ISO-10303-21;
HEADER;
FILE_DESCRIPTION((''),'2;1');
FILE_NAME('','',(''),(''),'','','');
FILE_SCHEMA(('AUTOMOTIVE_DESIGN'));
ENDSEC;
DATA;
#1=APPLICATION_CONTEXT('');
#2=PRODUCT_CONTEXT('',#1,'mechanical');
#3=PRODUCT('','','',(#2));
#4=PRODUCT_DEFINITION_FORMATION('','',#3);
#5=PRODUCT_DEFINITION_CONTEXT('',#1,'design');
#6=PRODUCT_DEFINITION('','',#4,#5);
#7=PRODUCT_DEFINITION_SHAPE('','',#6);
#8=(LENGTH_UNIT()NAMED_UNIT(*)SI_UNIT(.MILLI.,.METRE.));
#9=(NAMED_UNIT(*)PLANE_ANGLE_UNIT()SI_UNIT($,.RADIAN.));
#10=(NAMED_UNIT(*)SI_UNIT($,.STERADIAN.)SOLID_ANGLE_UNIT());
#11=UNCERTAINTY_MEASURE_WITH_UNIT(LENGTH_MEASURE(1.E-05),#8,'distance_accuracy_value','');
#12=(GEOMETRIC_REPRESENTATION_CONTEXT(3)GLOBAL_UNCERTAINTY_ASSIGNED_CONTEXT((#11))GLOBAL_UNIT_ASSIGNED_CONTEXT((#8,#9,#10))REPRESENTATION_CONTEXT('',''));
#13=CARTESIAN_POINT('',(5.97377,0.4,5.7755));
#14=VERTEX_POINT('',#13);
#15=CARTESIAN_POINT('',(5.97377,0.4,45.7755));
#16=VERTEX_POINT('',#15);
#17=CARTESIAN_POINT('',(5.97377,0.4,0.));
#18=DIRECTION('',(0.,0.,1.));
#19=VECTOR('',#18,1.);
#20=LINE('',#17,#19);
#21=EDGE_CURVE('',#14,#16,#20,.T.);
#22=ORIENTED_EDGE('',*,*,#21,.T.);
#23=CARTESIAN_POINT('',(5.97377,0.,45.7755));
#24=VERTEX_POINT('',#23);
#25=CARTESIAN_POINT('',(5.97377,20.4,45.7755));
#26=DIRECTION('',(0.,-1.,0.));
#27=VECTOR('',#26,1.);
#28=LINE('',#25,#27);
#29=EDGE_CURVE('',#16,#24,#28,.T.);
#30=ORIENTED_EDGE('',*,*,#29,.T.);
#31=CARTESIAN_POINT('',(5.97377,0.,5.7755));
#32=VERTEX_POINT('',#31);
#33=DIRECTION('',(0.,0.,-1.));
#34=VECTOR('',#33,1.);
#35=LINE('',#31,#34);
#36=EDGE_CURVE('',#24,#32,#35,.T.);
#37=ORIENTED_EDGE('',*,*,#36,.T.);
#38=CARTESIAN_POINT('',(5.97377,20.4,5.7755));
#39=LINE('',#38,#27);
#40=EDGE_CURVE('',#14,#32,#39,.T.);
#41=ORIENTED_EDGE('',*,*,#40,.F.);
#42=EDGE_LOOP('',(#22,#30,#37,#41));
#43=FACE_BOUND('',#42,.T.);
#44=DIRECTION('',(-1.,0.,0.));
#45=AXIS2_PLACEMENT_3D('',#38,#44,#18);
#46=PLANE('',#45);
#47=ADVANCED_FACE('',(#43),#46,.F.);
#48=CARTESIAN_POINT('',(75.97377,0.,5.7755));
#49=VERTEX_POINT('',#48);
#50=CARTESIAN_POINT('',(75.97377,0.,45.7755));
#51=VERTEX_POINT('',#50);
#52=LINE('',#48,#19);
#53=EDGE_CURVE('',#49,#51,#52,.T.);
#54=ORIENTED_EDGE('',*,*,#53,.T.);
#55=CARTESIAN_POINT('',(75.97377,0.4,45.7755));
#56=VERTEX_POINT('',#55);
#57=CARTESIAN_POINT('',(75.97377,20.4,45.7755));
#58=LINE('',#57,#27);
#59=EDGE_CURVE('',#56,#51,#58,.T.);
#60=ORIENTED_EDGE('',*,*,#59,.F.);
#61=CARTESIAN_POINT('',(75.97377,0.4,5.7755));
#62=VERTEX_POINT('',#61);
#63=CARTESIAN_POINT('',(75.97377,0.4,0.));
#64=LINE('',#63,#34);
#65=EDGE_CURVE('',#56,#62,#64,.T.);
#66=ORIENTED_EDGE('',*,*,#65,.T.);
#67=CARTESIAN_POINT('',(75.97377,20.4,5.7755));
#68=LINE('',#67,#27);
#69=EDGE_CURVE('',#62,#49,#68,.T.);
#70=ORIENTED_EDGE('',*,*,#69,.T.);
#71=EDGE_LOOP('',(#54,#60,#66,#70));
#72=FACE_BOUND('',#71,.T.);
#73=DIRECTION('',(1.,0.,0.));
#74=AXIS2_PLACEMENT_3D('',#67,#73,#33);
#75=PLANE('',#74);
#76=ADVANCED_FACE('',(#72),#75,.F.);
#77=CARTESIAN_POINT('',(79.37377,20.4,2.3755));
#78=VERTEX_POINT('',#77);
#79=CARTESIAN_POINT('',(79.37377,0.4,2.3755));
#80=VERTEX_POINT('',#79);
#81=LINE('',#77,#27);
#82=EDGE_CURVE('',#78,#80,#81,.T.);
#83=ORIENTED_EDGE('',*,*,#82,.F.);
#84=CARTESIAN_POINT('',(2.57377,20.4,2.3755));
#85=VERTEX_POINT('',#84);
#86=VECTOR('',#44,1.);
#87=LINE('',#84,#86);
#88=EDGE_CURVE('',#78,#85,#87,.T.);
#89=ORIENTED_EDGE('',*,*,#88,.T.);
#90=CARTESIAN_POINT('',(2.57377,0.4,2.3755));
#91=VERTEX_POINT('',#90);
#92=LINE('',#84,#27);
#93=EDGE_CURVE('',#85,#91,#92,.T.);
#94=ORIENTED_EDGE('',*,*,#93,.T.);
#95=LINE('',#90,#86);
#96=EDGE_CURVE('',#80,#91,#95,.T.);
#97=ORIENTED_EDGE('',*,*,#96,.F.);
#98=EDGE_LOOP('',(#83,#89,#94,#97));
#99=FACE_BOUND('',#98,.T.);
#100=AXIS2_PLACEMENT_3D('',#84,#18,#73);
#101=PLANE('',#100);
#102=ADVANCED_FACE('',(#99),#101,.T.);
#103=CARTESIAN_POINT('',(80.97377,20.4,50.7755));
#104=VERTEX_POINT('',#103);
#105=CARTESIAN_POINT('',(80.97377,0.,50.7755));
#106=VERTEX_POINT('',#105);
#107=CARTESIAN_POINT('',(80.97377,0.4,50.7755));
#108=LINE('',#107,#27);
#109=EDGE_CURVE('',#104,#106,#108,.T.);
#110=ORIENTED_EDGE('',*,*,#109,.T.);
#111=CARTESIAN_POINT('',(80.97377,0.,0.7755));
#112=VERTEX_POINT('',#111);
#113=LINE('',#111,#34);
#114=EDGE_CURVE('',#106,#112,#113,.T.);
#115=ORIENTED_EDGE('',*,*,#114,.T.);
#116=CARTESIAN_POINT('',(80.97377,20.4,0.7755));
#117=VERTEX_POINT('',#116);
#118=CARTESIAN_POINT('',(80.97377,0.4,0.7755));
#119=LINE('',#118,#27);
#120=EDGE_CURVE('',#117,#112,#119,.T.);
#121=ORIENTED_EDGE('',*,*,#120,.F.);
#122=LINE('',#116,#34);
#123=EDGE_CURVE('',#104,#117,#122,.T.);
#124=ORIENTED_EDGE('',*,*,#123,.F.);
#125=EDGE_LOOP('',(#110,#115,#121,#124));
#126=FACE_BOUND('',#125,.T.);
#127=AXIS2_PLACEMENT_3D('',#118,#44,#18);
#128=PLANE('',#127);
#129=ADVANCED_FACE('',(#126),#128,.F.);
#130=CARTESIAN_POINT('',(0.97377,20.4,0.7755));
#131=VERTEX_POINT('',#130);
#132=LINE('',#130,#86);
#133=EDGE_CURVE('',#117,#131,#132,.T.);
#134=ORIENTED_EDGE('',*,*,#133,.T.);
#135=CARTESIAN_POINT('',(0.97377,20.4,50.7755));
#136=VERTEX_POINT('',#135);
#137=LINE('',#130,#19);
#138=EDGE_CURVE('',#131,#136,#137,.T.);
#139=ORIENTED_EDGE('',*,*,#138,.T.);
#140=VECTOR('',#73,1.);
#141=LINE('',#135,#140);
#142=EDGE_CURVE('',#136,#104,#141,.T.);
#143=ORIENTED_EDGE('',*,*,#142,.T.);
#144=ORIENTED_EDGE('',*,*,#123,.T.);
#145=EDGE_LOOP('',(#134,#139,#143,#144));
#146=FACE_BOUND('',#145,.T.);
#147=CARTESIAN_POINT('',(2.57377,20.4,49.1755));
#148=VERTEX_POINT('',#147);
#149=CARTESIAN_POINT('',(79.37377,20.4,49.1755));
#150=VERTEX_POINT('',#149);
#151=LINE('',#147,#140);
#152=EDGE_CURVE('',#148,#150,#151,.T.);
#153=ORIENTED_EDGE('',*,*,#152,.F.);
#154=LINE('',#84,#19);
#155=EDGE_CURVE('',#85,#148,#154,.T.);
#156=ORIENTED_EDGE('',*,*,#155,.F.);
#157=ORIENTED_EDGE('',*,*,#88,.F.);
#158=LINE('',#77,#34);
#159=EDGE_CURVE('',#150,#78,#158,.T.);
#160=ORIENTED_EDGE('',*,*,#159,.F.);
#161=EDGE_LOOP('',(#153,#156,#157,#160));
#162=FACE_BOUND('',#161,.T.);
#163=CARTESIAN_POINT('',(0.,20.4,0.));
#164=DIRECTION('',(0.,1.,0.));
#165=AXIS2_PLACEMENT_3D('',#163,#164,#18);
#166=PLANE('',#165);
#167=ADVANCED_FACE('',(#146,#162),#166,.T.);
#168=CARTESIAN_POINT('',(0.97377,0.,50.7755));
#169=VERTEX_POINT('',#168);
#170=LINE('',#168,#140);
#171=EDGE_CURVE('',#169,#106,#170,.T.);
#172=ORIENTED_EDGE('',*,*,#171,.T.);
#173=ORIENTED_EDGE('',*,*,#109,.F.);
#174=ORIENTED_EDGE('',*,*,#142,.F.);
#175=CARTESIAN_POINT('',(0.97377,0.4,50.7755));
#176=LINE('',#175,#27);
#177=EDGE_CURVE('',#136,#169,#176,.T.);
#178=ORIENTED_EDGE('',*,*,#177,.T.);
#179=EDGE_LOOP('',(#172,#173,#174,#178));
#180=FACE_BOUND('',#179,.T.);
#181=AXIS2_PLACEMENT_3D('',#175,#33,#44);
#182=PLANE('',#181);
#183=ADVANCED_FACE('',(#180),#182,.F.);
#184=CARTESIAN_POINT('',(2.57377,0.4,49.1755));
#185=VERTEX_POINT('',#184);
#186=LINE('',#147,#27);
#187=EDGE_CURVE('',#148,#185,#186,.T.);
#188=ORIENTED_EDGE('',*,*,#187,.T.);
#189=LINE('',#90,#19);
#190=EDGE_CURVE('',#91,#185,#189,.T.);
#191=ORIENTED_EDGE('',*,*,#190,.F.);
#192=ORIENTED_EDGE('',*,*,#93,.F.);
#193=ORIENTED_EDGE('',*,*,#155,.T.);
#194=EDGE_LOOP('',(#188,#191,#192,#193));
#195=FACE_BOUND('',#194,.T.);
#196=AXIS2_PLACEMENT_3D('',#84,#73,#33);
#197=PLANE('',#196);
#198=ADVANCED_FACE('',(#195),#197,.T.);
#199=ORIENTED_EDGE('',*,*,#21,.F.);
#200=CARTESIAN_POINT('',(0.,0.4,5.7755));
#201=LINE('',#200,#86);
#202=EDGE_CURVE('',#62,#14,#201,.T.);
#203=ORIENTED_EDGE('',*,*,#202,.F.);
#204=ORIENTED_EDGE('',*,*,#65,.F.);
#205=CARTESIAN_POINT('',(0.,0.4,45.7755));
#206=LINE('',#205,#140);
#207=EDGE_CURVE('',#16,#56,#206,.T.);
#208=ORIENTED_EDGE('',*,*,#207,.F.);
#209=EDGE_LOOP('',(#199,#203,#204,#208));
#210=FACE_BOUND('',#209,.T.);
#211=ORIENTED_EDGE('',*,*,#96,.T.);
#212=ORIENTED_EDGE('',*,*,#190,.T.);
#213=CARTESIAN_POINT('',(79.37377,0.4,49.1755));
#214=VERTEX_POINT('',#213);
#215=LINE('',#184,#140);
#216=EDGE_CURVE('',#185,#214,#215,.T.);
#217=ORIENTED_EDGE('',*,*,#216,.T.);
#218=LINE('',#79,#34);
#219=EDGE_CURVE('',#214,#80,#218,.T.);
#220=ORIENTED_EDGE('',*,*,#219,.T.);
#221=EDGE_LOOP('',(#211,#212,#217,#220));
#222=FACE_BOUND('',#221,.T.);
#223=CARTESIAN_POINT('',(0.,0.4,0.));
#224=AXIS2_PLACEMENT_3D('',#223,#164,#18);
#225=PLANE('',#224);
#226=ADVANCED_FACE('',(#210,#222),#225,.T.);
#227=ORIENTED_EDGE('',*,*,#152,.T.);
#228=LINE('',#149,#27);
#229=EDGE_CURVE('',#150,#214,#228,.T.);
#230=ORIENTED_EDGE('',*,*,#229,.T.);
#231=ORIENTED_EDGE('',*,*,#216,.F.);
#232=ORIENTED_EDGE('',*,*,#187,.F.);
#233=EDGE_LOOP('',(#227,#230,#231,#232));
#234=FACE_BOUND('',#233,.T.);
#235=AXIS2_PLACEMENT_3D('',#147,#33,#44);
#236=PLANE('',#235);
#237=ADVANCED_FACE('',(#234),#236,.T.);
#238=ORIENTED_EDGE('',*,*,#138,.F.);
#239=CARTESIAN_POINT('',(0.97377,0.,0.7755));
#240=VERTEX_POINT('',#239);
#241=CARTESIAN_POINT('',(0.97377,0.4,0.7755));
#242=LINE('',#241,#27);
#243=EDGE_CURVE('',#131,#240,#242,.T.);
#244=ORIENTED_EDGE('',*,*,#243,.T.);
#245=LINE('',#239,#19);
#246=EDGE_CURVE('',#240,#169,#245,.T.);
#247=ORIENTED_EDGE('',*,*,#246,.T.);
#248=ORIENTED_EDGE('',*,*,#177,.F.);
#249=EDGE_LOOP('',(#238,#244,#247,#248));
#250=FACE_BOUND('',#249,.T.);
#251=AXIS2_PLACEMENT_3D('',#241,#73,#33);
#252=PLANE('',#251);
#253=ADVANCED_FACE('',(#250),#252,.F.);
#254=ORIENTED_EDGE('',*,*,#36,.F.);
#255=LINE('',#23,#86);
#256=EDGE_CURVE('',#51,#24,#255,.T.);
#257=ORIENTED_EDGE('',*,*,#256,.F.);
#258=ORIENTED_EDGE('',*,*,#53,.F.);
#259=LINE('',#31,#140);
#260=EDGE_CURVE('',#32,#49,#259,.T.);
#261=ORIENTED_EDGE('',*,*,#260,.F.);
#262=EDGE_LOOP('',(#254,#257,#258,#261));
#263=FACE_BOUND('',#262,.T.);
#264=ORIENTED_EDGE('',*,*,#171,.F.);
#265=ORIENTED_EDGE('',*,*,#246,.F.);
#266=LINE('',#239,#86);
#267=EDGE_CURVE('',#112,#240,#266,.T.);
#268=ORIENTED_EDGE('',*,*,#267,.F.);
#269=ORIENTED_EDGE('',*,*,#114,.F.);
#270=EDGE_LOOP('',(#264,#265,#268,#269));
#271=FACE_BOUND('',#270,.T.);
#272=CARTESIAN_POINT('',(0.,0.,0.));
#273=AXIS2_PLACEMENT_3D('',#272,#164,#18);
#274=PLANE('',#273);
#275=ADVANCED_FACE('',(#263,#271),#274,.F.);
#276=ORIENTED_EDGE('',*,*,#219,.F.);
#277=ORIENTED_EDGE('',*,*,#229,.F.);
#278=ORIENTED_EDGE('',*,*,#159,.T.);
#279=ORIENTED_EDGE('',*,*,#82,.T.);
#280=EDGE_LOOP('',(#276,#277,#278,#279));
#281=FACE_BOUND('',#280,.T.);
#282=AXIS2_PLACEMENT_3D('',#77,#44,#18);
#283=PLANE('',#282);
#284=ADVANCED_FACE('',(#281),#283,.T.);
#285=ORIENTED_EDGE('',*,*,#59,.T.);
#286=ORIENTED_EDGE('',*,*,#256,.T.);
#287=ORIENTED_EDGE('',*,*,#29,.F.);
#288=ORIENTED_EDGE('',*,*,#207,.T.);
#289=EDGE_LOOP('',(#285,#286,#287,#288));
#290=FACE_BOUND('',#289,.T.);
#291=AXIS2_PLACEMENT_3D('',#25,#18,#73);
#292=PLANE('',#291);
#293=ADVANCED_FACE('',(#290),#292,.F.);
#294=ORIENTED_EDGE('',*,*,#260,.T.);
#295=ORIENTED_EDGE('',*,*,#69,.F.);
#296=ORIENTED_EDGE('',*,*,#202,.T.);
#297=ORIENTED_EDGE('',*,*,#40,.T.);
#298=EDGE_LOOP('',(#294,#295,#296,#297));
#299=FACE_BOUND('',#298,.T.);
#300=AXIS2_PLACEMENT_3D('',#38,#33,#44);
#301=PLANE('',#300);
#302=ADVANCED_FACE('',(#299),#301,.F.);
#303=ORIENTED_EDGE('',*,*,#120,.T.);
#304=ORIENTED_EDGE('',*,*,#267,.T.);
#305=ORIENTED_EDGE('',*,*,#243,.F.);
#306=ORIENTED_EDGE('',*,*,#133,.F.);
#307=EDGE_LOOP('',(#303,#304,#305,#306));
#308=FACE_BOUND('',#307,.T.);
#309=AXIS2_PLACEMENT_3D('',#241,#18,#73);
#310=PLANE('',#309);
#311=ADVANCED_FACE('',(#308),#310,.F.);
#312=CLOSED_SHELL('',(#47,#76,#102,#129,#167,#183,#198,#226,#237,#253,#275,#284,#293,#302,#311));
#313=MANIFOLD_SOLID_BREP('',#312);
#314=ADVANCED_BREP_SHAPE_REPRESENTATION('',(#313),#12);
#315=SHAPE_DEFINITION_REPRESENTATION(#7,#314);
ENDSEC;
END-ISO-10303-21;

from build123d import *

# Parameters (mm, degrees)
SKETCH1_W           = 80
SKETCH1_H           = 50
BOSS_EXTRUDE1_DEPTH = 0.4
SKETCH2_W           = 80
SKETCH2_H           = 50
SKETCH2_W_2         = 76.8
SKETCH2_H_2         = 46.8
BOSS_EXTRUDE2_DEPTH = 20
SKETCH3_W           = 70
SKETCH3_H           = 40
CUT_EXTRUDE1_DEPTH  = 98.729539691


with BuildPart() as part:
    # Sketch1 → Boss-Extrude1 (new body)
    with BuildSketch(Plane(origin=(0, 0, 0), x_dir=(1, 0, 0), z_dir=(0, 1, 0))):
        with Locations((40.973770478, -25.775500222)):
            Rectangle(SKETCH1_W, SKETCH1_H)
    extrude(amount=BOSS_EXTRUDE1_DEPTH)

    # Sketch2 → Boss-Extrude2 (add)
    with BuildSketch(Plane(origin=(0, 0.4, 0), x_dir=(1, 0, 0), z_dir=(0, 1, 0))):
        with Locations((40.973770478, -25.775500222)):
            Rectangle(SKETCH2_W, SKETCH2_H)
        with Locations((40.973770478, -25.775500222)):
            Rectangle(SKETCH2_W_2, SKETCH2_H_2, mode=Mode.SUBTRACT)
    extrude(amount=BOSS_EXTRUDE2_DEPTH)

    # Sketch3 → Cut-Extrude1 (cut, through all)
    with BuildSketch(Plane(origin=(0, 0, 0), x_dir=(-1, 0, 0), z_dir=(0, -1, 0))):
        with Locations((-40.973770478, -25.775500222)):
            Rectangle(SKETCH3_W, SKETCH3_H)
    extrude(amount=-CUT_EXTRUDE1_DEPTH, mode=Mode.SUBTRACT)


solid = part.part
